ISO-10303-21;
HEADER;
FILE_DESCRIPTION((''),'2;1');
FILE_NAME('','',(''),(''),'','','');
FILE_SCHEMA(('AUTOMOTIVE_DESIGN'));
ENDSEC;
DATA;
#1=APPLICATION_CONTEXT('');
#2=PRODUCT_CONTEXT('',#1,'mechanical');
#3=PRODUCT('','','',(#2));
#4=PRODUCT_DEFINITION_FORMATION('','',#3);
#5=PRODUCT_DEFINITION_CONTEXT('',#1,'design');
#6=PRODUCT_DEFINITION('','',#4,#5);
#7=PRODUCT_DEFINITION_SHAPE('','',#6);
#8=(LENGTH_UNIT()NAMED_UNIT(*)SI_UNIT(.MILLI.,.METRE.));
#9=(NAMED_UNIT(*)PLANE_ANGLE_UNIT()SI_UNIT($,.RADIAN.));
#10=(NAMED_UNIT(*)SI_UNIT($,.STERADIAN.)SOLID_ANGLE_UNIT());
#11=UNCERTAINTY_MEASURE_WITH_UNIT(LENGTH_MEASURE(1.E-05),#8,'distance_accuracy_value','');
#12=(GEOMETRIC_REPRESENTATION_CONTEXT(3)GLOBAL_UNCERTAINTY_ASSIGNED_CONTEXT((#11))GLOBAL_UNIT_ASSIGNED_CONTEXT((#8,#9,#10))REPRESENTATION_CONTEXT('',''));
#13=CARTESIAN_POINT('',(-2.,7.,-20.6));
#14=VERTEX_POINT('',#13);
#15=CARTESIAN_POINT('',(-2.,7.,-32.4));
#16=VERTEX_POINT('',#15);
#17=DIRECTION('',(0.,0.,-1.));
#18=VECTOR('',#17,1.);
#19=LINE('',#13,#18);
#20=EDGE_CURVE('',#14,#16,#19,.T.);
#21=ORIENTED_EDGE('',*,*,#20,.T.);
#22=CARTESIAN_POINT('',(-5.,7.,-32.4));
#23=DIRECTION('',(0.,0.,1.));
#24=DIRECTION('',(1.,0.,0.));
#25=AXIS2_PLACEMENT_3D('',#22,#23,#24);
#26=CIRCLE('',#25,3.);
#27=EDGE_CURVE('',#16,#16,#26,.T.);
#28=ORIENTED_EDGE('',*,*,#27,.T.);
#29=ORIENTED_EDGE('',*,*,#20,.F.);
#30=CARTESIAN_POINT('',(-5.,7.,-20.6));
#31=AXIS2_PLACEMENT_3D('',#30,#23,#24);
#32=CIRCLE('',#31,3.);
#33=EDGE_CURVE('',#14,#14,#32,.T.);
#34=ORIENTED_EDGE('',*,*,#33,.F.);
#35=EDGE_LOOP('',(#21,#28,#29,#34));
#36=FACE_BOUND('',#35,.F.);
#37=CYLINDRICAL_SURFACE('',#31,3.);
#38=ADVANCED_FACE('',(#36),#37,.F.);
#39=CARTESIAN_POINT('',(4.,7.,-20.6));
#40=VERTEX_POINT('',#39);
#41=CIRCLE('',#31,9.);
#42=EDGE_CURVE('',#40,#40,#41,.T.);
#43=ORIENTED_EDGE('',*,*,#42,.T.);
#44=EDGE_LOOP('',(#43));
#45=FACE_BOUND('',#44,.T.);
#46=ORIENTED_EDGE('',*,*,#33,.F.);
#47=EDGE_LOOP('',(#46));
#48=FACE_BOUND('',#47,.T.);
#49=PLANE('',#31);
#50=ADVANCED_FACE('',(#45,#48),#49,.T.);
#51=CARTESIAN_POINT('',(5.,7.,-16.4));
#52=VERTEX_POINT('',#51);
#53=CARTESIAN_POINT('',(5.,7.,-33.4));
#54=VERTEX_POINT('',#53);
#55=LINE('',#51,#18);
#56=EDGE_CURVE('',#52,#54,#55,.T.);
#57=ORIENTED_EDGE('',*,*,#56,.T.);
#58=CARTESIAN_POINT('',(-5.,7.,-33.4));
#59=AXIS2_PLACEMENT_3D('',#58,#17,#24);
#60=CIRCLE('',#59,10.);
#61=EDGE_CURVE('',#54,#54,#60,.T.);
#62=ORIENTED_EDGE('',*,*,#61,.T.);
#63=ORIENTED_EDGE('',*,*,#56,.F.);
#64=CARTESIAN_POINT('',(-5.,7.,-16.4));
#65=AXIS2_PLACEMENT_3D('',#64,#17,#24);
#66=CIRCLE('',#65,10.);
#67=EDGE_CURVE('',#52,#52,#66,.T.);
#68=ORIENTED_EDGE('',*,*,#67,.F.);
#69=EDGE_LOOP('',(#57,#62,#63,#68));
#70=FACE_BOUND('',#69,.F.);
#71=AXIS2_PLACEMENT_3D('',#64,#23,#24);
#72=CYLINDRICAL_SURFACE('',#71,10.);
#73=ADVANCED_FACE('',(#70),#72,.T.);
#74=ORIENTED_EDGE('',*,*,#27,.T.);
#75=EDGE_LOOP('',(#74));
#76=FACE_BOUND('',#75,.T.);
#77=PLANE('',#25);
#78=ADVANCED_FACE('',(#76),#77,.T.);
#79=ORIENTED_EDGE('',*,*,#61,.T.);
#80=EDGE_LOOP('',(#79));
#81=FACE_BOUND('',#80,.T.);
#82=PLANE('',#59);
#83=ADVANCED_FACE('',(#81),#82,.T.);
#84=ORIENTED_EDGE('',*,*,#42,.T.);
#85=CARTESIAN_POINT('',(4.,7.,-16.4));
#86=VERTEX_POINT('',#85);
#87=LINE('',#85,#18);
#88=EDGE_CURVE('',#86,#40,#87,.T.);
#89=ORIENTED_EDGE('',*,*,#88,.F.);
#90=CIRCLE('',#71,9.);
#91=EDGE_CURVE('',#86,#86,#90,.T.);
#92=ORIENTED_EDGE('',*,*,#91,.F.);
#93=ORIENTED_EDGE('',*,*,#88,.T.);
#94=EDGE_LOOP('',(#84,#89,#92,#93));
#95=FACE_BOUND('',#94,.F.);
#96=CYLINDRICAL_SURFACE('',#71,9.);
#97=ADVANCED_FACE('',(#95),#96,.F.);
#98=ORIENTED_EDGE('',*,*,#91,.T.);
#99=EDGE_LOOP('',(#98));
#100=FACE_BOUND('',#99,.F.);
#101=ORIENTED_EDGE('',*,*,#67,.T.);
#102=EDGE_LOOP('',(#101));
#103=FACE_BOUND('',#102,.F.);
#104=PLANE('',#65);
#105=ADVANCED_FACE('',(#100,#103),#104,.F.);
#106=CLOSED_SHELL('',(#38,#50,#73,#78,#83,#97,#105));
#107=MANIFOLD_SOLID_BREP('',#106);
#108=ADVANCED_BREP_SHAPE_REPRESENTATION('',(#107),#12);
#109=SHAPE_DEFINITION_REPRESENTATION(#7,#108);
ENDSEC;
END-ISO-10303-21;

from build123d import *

# Parameters (mm, degrees)
SKETCH019_R             = 10
PAD019_DEPTH            = 17
SKETCH020_R             = 9
POCKET_DEPTH            = 4.2
SKETCH021_R             = 3
POCKET001_DEPTH         = 11.8
BODY009_PLACEMENT_ANGLE = 180


with BuildPart() as part:
    # Sketch019 → Pad019 (new body)
    with BuildSketch(Plane.XY):
        Circle(SKETCH019_R)
    extrude(amount=PAD019_DEPTH)

    # Sketch020 (on Face2 of Pad019) → Pocket (cut)
    with BuildSketch(Plane(origin=(0, 0, 0), x_dir=(1, 0, 0), z_dir=(0, 0, -1))):
        Circle(SKETCH020_R)
    extrude(amount=-POCKET_DEPTH, mode=Mode.SUBTRACT)

    # Sketch021 (on Face5 of Pocket) → Pocket001 (cut)
    with BuildSketch(Plane(origin=(0, 0, 4.2), x_dir=(1, 0, 0), z_dir=(0, 0, -1))):
        Circle(SKETCH021_R)
    extrude(amount=-POCKET001_DEPTH, mode=Mode.SUBTRACT)


with BuildPart() as part_1:
    # Body009 placement: moved
    add(part.part.moved(Location((-5, 7, -16.4))).rotate(Axis((-5, 7, -16.4), (1, 0, 0)), BODY009_PLACEMENT_ANGLE))


solid = part_1.part
